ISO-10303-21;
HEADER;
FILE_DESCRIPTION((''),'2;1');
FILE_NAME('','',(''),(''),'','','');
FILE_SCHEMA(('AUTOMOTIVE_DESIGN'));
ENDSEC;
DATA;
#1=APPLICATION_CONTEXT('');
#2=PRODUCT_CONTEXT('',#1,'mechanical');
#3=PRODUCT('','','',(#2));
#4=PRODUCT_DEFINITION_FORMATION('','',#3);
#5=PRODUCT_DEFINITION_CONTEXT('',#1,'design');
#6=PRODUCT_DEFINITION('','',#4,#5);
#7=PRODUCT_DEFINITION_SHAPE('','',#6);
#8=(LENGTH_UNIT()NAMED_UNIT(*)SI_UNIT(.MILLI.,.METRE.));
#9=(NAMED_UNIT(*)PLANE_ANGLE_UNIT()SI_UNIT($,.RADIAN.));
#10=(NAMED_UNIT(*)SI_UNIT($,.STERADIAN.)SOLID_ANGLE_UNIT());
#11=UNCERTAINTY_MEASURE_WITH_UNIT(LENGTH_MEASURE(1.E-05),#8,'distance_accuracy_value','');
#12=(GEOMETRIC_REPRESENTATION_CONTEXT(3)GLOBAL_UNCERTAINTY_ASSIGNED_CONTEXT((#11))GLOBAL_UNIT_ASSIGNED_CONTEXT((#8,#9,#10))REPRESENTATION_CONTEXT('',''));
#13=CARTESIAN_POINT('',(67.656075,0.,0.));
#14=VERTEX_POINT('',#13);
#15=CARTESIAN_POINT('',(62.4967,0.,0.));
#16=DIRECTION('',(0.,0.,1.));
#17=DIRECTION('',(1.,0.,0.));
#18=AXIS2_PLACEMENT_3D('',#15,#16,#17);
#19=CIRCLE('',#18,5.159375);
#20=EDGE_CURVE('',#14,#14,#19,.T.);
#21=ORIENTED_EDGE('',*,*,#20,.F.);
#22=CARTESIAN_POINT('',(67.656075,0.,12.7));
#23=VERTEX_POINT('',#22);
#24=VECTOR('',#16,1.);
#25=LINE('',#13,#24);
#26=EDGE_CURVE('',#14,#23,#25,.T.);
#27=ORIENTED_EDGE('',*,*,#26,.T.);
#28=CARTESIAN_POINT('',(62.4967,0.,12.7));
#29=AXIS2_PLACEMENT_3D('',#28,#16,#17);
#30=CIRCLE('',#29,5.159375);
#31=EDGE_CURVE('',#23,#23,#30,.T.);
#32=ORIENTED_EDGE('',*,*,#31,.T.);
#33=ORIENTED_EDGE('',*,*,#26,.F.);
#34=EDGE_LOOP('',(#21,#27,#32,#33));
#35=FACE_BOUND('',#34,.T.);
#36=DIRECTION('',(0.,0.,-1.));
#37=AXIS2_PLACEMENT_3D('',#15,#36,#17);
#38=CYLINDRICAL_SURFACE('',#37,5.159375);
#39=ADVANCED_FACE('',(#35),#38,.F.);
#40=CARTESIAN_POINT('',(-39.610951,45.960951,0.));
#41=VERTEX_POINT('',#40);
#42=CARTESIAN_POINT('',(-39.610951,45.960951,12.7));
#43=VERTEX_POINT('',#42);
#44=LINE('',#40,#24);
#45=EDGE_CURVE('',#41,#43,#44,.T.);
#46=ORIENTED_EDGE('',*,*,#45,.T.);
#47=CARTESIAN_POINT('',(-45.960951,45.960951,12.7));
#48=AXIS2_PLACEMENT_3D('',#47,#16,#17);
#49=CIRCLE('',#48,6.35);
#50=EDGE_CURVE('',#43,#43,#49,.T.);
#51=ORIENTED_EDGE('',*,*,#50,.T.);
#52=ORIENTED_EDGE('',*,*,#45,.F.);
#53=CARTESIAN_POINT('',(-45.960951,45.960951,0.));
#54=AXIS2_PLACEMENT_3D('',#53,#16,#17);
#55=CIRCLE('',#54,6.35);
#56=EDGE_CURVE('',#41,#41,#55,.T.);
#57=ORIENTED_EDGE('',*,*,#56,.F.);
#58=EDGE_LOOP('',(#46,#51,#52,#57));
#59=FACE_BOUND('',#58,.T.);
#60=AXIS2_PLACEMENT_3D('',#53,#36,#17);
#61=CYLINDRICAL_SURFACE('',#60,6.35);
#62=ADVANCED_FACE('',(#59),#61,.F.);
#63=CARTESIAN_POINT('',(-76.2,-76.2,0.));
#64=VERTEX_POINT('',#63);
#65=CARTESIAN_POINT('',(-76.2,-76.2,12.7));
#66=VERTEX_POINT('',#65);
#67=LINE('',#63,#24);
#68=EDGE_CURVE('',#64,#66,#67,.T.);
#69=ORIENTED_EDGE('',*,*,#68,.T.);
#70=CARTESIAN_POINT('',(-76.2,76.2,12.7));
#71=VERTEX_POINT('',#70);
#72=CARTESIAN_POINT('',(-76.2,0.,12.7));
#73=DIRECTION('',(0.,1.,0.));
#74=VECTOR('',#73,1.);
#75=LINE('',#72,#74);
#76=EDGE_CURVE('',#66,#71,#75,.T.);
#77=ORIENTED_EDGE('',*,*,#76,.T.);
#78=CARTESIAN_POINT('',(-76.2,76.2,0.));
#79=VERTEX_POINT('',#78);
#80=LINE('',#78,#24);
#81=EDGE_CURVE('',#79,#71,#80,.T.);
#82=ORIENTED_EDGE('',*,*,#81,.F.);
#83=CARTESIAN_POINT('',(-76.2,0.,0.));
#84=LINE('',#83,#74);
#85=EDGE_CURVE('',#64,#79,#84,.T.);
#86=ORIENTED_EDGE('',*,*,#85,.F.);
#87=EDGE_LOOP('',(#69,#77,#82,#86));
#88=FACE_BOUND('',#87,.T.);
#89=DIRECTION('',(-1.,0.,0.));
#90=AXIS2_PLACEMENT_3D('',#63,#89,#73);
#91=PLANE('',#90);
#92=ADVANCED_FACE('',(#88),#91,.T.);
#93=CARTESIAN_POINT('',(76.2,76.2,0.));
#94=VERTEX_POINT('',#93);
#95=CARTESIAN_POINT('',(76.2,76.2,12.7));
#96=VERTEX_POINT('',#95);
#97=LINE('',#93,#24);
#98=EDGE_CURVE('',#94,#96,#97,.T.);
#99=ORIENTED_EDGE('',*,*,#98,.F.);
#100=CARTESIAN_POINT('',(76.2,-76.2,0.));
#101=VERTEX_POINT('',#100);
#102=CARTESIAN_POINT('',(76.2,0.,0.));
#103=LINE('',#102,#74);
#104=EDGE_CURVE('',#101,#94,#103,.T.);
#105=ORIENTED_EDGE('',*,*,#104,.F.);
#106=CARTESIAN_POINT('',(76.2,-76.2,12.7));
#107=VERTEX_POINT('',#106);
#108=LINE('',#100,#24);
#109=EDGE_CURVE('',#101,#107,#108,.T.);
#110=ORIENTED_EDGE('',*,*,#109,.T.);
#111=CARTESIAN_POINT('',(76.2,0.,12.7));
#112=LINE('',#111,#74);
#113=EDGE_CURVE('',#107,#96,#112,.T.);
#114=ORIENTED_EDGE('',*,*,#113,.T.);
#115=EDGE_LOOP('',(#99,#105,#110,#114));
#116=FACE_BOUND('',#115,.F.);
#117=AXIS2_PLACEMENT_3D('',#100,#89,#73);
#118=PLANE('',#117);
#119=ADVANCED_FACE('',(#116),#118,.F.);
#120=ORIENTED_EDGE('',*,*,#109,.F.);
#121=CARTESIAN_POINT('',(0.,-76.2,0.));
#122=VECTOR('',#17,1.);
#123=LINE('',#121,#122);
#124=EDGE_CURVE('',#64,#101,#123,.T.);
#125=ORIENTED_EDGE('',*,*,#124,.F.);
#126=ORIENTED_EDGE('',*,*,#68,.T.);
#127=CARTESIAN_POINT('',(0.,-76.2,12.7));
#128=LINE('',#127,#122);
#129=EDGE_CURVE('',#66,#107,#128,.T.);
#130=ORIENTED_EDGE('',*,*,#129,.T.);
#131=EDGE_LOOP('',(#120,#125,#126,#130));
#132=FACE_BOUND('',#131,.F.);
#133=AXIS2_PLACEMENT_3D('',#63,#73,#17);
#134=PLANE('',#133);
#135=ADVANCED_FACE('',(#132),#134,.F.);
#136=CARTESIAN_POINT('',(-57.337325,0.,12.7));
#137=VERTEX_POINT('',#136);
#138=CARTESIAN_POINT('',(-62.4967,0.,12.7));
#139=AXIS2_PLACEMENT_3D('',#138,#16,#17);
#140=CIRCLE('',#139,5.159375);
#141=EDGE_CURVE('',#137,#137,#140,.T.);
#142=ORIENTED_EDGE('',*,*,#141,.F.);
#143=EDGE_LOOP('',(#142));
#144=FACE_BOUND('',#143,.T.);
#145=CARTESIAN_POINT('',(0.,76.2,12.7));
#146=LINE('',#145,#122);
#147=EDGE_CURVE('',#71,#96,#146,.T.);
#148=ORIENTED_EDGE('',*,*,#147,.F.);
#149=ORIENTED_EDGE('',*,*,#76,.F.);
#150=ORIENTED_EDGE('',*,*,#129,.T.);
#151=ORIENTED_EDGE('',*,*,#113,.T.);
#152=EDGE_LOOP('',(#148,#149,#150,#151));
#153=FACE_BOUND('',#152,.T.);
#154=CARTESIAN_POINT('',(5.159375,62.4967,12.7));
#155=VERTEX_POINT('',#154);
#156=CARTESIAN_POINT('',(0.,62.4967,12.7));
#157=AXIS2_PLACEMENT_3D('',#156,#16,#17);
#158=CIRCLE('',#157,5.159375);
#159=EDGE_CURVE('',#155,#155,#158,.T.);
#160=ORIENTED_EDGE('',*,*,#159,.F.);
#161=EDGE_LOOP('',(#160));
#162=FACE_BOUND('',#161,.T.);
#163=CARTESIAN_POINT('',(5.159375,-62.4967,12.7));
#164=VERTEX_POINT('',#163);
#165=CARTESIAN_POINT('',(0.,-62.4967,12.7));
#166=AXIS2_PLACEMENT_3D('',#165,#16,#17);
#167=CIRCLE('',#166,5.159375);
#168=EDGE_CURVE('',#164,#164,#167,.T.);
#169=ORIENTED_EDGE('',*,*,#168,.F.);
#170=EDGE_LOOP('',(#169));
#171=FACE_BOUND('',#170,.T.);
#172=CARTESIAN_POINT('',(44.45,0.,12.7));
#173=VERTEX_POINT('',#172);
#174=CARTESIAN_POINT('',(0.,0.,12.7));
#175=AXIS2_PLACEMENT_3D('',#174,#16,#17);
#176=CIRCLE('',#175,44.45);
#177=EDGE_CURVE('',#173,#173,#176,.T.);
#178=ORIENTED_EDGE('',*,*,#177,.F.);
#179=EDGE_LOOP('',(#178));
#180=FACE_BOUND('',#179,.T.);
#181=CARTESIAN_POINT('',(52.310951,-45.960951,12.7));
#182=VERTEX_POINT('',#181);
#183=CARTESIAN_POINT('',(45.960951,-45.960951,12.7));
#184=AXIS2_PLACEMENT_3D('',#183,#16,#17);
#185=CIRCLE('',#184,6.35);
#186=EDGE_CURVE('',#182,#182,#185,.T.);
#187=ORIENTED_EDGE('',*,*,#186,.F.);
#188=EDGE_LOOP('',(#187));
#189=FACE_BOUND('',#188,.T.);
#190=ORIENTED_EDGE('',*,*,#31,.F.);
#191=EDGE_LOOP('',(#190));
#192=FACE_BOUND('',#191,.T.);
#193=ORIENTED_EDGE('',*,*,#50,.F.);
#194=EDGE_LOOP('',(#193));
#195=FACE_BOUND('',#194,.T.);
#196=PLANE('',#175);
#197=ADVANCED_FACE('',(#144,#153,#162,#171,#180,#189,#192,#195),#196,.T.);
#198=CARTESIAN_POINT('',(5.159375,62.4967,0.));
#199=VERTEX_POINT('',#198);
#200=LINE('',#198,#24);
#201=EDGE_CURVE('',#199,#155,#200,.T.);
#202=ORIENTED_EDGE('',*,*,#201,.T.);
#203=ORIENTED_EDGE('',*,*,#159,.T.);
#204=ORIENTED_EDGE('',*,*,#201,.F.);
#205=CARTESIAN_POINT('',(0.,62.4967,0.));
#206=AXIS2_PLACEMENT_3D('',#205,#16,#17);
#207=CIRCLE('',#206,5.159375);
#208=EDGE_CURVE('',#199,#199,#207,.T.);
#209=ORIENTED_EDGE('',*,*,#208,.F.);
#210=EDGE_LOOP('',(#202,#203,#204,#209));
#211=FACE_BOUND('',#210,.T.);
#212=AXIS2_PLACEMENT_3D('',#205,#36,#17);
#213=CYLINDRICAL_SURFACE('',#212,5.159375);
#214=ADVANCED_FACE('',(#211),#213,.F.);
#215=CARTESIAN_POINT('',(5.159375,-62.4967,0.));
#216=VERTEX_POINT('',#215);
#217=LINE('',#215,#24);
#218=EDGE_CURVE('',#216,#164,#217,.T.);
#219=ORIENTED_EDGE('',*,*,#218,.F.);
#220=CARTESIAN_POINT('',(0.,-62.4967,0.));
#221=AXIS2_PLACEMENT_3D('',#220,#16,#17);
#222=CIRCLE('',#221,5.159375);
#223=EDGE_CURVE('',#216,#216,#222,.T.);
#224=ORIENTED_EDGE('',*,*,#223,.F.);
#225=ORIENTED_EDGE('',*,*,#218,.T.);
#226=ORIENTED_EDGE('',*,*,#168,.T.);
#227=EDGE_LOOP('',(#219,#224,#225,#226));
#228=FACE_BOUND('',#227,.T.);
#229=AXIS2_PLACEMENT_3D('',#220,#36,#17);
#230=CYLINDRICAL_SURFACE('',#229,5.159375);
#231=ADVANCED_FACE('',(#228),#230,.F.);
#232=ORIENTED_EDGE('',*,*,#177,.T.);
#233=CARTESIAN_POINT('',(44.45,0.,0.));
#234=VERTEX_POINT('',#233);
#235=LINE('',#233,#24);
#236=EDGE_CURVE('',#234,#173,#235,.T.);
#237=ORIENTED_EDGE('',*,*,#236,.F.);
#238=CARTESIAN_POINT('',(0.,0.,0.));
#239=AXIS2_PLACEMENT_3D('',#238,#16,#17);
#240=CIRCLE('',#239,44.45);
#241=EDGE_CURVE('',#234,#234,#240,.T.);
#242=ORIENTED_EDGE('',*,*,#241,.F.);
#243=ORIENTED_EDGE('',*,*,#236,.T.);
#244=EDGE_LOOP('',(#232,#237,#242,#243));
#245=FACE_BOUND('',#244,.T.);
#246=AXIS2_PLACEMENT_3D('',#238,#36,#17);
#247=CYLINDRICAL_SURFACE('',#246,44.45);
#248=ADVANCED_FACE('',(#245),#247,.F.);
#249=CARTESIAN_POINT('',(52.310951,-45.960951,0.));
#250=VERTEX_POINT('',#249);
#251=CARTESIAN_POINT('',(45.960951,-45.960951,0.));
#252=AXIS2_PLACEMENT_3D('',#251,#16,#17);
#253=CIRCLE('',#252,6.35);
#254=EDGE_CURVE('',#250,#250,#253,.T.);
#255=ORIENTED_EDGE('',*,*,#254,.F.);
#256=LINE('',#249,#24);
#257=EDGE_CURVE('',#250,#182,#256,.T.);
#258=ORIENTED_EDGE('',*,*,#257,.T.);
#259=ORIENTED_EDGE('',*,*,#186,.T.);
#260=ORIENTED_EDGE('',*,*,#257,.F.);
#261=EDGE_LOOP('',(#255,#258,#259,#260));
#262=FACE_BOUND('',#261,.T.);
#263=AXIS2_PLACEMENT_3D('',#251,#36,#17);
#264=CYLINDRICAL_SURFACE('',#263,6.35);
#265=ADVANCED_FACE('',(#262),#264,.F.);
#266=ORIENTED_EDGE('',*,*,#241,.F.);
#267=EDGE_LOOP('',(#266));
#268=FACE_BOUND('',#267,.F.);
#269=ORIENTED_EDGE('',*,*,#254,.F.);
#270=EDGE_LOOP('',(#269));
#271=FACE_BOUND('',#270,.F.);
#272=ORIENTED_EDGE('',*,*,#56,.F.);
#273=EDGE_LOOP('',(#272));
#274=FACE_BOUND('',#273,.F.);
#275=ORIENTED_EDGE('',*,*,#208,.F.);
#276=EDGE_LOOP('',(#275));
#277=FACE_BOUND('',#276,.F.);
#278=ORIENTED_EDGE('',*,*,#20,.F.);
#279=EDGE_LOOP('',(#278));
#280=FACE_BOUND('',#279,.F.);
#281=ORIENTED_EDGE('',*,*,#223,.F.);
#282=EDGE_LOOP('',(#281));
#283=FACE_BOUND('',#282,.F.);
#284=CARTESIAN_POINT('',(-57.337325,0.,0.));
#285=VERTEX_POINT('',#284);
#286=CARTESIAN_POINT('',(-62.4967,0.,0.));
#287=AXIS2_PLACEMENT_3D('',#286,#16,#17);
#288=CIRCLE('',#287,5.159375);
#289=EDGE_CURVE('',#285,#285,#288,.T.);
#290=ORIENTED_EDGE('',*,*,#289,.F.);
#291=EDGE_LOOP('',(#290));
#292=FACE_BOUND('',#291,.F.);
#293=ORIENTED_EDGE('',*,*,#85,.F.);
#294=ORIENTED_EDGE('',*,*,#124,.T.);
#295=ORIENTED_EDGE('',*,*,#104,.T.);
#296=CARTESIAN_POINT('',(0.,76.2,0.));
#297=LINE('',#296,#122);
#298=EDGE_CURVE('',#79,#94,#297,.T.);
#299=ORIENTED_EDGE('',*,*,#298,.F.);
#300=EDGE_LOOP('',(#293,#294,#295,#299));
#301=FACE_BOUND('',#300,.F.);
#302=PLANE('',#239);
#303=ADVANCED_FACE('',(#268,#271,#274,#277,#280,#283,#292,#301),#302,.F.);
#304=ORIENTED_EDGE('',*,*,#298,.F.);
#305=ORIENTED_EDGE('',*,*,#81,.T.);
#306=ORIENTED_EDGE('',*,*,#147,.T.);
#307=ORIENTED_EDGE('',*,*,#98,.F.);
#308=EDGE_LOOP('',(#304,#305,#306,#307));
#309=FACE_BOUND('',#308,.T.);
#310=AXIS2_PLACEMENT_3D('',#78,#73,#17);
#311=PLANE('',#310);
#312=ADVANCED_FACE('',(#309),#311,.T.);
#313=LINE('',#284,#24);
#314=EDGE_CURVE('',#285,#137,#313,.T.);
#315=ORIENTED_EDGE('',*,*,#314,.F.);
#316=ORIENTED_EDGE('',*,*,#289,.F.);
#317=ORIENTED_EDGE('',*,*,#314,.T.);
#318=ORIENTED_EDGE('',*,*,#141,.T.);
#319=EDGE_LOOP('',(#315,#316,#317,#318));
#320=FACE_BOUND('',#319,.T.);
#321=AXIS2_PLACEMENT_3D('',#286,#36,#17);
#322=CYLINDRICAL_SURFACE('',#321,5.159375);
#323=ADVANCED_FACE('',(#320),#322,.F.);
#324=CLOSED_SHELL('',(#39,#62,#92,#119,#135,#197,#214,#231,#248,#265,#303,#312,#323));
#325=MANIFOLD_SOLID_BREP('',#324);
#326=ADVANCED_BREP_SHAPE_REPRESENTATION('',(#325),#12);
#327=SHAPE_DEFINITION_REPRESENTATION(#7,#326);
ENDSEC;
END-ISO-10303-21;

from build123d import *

# Parameters (mm, degrees)
F0_W     = 152.4
F0_H     = 152.4
F0_R     = 5.159375
F0_R_2   = 6.35
F0_R_3   = 44.45
F1_DEPTH = 12.7


with BuildPart() as f1:
    # F0 (on Top) → F1 (new body)
    with BuildSketch(Plane.XY):
        Rectangle(F0_W, F0_H)
        with Locations((0, -62.4967)):
            Circle(F0_R, mode=Mode.SUBTRACT)
        with Locations((45.960951, -45.960951)):
            Circle(F0_R_2, mode=Mode.SUBTRACT)
        with Locations((-62.4967, 0)):
            Circle(F0_R, mode=Mode.SUBTRACT)
        with Locations((-45.960951, 45.960951)):
            Circle(F0_R_2, mode=Mode.SUBTRACT)
        Circle(F0_R_3, mode=Mode.SUBTRACT)
        with Locations((62.4967, 0)):
            Circle(F0_R, mode=Mode.SUBTRACT)
        with Locations((0, 62.4967)):
            Circle(F0_R, mode=Mode.SUBTRACT)
    extrude(amount=F1_DEPTH)


solid = f1.part
